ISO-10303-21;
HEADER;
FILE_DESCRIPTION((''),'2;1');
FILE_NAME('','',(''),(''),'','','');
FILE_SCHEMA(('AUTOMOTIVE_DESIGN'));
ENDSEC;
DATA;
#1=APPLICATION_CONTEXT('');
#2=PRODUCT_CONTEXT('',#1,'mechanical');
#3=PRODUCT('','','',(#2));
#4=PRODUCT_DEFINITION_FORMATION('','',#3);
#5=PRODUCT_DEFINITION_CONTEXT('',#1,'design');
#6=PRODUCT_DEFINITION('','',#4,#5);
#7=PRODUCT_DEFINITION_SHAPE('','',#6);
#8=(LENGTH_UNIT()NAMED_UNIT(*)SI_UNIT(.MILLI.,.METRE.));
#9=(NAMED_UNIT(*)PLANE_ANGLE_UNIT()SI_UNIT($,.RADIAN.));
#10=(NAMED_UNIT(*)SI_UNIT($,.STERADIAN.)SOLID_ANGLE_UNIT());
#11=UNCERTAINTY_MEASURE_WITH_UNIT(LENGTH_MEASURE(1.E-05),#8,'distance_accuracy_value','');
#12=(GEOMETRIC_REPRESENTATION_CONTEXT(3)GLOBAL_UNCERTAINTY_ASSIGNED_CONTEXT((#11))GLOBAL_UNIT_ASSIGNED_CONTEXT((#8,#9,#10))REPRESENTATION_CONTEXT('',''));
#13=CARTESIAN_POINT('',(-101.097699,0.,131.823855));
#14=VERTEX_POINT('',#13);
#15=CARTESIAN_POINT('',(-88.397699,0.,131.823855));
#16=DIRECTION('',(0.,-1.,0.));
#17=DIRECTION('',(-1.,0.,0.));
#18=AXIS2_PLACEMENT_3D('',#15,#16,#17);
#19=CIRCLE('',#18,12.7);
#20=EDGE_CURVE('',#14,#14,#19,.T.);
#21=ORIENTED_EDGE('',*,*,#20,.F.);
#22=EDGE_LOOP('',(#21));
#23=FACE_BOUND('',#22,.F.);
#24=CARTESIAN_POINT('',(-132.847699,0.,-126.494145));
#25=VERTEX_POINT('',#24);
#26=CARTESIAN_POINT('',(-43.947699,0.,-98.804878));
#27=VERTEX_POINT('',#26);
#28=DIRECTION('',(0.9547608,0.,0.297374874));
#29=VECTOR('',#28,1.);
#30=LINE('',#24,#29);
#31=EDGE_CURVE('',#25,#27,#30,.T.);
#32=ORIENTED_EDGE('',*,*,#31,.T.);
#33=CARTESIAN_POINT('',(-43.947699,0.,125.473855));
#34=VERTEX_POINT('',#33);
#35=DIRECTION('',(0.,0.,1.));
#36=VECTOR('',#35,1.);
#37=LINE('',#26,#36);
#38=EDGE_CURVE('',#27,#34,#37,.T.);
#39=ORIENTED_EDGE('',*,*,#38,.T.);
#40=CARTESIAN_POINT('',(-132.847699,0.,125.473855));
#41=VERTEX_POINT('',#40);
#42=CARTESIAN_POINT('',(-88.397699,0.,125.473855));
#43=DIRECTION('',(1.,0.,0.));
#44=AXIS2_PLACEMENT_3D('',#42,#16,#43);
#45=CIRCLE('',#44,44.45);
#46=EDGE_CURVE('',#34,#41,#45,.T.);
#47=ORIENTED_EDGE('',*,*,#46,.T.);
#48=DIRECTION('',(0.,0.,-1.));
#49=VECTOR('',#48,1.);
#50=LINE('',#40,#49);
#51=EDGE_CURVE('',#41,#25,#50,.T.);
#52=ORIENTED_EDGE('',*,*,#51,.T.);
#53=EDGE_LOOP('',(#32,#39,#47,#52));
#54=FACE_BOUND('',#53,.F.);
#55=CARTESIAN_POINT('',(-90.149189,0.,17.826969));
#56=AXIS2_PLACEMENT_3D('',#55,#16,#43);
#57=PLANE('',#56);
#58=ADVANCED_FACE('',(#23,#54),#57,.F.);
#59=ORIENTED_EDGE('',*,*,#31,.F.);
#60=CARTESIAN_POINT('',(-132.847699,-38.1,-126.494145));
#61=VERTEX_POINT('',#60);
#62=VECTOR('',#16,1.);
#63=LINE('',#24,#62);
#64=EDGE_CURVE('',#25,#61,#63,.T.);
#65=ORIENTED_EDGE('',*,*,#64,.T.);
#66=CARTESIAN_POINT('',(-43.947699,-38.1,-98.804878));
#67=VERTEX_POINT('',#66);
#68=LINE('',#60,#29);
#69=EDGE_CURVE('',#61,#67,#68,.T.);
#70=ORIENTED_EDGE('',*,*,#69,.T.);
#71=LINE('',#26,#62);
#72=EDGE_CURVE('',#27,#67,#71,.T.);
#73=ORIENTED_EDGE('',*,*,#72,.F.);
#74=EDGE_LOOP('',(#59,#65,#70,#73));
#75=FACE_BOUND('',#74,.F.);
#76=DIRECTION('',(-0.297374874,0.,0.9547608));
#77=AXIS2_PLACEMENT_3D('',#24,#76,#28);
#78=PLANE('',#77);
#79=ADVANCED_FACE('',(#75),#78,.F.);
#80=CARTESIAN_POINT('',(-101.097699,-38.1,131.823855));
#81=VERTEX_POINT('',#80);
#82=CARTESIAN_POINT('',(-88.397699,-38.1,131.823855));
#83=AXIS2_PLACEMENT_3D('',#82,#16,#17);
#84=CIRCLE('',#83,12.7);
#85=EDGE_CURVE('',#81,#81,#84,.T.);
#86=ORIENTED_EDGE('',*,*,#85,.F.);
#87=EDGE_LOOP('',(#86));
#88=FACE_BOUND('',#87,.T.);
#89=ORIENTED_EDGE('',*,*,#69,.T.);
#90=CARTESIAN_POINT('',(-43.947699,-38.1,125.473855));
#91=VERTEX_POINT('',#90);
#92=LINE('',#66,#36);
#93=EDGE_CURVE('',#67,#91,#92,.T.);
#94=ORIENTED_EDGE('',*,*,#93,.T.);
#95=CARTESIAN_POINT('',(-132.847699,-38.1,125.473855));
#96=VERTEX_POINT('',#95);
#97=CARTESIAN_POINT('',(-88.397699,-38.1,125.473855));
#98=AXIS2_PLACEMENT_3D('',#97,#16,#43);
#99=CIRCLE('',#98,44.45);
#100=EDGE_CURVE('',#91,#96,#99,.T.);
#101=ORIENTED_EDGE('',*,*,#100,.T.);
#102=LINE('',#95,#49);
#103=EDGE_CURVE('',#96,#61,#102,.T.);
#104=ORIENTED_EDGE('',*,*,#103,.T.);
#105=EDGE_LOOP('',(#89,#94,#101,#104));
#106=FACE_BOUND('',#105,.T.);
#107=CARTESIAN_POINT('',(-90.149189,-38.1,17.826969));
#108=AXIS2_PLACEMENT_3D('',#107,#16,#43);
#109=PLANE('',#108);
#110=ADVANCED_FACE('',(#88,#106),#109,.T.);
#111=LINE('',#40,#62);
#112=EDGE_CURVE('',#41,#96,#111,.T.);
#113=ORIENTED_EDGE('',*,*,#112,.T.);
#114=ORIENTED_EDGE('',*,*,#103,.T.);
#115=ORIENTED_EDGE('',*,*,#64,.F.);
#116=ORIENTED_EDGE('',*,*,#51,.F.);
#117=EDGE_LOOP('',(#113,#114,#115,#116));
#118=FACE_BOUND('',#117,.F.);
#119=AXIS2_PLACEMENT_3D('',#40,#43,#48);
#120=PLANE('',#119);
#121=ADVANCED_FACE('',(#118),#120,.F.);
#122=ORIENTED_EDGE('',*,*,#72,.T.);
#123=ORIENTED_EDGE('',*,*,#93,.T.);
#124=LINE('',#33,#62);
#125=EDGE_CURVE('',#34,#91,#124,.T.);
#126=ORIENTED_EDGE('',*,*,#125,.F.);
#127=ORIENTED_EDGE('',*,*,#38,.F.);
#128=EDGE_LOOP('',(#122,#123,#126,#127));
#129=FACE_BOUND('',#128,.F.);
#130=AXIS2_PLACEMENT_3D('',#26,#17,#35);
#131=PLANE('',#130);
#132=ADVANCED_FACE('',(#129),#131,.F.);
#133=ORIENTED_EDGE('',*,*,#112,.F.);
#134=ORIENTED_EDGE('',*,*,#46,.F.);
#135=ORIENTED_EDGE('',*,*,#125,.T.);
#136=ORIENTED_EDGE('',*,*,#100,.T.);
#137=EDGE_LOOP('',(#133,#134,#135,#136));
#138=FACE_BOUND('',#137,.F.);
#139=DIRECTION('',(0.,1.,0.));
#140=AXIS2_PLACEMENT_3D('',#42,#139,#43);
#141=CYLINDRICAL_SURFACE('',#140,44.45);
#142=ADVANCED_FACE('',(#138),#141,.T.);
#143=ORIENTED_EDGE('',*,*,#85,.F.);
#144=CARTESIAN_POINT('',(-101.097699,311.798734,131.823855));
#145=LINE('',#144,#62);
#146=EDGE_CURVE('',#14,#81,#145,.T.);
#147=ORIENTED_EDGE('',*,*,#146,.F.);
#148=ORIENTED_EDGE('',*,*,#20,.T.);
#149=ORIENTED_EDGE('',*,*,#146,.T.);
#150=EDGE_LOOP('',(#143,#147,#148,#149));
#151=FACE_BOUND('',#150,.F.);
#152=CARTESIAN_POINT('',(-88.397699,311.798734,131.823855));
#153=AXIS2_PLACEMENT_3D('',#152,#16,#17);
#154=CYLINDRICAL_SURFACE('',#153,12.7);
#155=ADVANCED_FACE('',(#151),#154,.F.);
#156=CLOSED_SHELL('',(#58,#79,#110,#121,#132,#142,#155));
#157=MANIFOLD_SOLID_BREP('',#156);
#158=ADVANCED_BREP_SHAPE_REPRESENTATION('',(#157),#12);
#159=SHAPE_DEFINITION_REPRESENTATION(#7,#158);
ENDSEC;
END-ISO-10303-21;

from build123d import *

# Parameters (mm, degrees)
F1_DEPTH = 38.1
F2_D     = 25.4


with BuildPart() as f1:
    # F0 (on Front) → F1 (new body)
    with BuildSketch(Plane.XZ):
        with BuildLine():
            ThreePointArc((-43.9476994082, 125.4738551164), (-88.3976994082, 169.9238551164), (-132.8476994082, 125.4738551164))
            Line((-132.8476994082, 125.4738551164), (-132.8476994082, -126.4941448836))
            Line((-132.8476994082, -126.4941448836), (-43.9476994082, -98.8048782953))
            Line((-43.9476994082, -98.8048782953), (-43.9476994082, 125.4738551164))
        make_face()
    extrude(amount=F1_DEPTH)

    # F2 (through all)
    with Locations(Plane(origin=(0, 0, 0), x_dir=(1, 0, 0), z_dir=(0, 1, 0))):
        with Locations((-88.3976994082, -131.8238551164)):
            Hole(F2_D / 2)


solid = f1.part
